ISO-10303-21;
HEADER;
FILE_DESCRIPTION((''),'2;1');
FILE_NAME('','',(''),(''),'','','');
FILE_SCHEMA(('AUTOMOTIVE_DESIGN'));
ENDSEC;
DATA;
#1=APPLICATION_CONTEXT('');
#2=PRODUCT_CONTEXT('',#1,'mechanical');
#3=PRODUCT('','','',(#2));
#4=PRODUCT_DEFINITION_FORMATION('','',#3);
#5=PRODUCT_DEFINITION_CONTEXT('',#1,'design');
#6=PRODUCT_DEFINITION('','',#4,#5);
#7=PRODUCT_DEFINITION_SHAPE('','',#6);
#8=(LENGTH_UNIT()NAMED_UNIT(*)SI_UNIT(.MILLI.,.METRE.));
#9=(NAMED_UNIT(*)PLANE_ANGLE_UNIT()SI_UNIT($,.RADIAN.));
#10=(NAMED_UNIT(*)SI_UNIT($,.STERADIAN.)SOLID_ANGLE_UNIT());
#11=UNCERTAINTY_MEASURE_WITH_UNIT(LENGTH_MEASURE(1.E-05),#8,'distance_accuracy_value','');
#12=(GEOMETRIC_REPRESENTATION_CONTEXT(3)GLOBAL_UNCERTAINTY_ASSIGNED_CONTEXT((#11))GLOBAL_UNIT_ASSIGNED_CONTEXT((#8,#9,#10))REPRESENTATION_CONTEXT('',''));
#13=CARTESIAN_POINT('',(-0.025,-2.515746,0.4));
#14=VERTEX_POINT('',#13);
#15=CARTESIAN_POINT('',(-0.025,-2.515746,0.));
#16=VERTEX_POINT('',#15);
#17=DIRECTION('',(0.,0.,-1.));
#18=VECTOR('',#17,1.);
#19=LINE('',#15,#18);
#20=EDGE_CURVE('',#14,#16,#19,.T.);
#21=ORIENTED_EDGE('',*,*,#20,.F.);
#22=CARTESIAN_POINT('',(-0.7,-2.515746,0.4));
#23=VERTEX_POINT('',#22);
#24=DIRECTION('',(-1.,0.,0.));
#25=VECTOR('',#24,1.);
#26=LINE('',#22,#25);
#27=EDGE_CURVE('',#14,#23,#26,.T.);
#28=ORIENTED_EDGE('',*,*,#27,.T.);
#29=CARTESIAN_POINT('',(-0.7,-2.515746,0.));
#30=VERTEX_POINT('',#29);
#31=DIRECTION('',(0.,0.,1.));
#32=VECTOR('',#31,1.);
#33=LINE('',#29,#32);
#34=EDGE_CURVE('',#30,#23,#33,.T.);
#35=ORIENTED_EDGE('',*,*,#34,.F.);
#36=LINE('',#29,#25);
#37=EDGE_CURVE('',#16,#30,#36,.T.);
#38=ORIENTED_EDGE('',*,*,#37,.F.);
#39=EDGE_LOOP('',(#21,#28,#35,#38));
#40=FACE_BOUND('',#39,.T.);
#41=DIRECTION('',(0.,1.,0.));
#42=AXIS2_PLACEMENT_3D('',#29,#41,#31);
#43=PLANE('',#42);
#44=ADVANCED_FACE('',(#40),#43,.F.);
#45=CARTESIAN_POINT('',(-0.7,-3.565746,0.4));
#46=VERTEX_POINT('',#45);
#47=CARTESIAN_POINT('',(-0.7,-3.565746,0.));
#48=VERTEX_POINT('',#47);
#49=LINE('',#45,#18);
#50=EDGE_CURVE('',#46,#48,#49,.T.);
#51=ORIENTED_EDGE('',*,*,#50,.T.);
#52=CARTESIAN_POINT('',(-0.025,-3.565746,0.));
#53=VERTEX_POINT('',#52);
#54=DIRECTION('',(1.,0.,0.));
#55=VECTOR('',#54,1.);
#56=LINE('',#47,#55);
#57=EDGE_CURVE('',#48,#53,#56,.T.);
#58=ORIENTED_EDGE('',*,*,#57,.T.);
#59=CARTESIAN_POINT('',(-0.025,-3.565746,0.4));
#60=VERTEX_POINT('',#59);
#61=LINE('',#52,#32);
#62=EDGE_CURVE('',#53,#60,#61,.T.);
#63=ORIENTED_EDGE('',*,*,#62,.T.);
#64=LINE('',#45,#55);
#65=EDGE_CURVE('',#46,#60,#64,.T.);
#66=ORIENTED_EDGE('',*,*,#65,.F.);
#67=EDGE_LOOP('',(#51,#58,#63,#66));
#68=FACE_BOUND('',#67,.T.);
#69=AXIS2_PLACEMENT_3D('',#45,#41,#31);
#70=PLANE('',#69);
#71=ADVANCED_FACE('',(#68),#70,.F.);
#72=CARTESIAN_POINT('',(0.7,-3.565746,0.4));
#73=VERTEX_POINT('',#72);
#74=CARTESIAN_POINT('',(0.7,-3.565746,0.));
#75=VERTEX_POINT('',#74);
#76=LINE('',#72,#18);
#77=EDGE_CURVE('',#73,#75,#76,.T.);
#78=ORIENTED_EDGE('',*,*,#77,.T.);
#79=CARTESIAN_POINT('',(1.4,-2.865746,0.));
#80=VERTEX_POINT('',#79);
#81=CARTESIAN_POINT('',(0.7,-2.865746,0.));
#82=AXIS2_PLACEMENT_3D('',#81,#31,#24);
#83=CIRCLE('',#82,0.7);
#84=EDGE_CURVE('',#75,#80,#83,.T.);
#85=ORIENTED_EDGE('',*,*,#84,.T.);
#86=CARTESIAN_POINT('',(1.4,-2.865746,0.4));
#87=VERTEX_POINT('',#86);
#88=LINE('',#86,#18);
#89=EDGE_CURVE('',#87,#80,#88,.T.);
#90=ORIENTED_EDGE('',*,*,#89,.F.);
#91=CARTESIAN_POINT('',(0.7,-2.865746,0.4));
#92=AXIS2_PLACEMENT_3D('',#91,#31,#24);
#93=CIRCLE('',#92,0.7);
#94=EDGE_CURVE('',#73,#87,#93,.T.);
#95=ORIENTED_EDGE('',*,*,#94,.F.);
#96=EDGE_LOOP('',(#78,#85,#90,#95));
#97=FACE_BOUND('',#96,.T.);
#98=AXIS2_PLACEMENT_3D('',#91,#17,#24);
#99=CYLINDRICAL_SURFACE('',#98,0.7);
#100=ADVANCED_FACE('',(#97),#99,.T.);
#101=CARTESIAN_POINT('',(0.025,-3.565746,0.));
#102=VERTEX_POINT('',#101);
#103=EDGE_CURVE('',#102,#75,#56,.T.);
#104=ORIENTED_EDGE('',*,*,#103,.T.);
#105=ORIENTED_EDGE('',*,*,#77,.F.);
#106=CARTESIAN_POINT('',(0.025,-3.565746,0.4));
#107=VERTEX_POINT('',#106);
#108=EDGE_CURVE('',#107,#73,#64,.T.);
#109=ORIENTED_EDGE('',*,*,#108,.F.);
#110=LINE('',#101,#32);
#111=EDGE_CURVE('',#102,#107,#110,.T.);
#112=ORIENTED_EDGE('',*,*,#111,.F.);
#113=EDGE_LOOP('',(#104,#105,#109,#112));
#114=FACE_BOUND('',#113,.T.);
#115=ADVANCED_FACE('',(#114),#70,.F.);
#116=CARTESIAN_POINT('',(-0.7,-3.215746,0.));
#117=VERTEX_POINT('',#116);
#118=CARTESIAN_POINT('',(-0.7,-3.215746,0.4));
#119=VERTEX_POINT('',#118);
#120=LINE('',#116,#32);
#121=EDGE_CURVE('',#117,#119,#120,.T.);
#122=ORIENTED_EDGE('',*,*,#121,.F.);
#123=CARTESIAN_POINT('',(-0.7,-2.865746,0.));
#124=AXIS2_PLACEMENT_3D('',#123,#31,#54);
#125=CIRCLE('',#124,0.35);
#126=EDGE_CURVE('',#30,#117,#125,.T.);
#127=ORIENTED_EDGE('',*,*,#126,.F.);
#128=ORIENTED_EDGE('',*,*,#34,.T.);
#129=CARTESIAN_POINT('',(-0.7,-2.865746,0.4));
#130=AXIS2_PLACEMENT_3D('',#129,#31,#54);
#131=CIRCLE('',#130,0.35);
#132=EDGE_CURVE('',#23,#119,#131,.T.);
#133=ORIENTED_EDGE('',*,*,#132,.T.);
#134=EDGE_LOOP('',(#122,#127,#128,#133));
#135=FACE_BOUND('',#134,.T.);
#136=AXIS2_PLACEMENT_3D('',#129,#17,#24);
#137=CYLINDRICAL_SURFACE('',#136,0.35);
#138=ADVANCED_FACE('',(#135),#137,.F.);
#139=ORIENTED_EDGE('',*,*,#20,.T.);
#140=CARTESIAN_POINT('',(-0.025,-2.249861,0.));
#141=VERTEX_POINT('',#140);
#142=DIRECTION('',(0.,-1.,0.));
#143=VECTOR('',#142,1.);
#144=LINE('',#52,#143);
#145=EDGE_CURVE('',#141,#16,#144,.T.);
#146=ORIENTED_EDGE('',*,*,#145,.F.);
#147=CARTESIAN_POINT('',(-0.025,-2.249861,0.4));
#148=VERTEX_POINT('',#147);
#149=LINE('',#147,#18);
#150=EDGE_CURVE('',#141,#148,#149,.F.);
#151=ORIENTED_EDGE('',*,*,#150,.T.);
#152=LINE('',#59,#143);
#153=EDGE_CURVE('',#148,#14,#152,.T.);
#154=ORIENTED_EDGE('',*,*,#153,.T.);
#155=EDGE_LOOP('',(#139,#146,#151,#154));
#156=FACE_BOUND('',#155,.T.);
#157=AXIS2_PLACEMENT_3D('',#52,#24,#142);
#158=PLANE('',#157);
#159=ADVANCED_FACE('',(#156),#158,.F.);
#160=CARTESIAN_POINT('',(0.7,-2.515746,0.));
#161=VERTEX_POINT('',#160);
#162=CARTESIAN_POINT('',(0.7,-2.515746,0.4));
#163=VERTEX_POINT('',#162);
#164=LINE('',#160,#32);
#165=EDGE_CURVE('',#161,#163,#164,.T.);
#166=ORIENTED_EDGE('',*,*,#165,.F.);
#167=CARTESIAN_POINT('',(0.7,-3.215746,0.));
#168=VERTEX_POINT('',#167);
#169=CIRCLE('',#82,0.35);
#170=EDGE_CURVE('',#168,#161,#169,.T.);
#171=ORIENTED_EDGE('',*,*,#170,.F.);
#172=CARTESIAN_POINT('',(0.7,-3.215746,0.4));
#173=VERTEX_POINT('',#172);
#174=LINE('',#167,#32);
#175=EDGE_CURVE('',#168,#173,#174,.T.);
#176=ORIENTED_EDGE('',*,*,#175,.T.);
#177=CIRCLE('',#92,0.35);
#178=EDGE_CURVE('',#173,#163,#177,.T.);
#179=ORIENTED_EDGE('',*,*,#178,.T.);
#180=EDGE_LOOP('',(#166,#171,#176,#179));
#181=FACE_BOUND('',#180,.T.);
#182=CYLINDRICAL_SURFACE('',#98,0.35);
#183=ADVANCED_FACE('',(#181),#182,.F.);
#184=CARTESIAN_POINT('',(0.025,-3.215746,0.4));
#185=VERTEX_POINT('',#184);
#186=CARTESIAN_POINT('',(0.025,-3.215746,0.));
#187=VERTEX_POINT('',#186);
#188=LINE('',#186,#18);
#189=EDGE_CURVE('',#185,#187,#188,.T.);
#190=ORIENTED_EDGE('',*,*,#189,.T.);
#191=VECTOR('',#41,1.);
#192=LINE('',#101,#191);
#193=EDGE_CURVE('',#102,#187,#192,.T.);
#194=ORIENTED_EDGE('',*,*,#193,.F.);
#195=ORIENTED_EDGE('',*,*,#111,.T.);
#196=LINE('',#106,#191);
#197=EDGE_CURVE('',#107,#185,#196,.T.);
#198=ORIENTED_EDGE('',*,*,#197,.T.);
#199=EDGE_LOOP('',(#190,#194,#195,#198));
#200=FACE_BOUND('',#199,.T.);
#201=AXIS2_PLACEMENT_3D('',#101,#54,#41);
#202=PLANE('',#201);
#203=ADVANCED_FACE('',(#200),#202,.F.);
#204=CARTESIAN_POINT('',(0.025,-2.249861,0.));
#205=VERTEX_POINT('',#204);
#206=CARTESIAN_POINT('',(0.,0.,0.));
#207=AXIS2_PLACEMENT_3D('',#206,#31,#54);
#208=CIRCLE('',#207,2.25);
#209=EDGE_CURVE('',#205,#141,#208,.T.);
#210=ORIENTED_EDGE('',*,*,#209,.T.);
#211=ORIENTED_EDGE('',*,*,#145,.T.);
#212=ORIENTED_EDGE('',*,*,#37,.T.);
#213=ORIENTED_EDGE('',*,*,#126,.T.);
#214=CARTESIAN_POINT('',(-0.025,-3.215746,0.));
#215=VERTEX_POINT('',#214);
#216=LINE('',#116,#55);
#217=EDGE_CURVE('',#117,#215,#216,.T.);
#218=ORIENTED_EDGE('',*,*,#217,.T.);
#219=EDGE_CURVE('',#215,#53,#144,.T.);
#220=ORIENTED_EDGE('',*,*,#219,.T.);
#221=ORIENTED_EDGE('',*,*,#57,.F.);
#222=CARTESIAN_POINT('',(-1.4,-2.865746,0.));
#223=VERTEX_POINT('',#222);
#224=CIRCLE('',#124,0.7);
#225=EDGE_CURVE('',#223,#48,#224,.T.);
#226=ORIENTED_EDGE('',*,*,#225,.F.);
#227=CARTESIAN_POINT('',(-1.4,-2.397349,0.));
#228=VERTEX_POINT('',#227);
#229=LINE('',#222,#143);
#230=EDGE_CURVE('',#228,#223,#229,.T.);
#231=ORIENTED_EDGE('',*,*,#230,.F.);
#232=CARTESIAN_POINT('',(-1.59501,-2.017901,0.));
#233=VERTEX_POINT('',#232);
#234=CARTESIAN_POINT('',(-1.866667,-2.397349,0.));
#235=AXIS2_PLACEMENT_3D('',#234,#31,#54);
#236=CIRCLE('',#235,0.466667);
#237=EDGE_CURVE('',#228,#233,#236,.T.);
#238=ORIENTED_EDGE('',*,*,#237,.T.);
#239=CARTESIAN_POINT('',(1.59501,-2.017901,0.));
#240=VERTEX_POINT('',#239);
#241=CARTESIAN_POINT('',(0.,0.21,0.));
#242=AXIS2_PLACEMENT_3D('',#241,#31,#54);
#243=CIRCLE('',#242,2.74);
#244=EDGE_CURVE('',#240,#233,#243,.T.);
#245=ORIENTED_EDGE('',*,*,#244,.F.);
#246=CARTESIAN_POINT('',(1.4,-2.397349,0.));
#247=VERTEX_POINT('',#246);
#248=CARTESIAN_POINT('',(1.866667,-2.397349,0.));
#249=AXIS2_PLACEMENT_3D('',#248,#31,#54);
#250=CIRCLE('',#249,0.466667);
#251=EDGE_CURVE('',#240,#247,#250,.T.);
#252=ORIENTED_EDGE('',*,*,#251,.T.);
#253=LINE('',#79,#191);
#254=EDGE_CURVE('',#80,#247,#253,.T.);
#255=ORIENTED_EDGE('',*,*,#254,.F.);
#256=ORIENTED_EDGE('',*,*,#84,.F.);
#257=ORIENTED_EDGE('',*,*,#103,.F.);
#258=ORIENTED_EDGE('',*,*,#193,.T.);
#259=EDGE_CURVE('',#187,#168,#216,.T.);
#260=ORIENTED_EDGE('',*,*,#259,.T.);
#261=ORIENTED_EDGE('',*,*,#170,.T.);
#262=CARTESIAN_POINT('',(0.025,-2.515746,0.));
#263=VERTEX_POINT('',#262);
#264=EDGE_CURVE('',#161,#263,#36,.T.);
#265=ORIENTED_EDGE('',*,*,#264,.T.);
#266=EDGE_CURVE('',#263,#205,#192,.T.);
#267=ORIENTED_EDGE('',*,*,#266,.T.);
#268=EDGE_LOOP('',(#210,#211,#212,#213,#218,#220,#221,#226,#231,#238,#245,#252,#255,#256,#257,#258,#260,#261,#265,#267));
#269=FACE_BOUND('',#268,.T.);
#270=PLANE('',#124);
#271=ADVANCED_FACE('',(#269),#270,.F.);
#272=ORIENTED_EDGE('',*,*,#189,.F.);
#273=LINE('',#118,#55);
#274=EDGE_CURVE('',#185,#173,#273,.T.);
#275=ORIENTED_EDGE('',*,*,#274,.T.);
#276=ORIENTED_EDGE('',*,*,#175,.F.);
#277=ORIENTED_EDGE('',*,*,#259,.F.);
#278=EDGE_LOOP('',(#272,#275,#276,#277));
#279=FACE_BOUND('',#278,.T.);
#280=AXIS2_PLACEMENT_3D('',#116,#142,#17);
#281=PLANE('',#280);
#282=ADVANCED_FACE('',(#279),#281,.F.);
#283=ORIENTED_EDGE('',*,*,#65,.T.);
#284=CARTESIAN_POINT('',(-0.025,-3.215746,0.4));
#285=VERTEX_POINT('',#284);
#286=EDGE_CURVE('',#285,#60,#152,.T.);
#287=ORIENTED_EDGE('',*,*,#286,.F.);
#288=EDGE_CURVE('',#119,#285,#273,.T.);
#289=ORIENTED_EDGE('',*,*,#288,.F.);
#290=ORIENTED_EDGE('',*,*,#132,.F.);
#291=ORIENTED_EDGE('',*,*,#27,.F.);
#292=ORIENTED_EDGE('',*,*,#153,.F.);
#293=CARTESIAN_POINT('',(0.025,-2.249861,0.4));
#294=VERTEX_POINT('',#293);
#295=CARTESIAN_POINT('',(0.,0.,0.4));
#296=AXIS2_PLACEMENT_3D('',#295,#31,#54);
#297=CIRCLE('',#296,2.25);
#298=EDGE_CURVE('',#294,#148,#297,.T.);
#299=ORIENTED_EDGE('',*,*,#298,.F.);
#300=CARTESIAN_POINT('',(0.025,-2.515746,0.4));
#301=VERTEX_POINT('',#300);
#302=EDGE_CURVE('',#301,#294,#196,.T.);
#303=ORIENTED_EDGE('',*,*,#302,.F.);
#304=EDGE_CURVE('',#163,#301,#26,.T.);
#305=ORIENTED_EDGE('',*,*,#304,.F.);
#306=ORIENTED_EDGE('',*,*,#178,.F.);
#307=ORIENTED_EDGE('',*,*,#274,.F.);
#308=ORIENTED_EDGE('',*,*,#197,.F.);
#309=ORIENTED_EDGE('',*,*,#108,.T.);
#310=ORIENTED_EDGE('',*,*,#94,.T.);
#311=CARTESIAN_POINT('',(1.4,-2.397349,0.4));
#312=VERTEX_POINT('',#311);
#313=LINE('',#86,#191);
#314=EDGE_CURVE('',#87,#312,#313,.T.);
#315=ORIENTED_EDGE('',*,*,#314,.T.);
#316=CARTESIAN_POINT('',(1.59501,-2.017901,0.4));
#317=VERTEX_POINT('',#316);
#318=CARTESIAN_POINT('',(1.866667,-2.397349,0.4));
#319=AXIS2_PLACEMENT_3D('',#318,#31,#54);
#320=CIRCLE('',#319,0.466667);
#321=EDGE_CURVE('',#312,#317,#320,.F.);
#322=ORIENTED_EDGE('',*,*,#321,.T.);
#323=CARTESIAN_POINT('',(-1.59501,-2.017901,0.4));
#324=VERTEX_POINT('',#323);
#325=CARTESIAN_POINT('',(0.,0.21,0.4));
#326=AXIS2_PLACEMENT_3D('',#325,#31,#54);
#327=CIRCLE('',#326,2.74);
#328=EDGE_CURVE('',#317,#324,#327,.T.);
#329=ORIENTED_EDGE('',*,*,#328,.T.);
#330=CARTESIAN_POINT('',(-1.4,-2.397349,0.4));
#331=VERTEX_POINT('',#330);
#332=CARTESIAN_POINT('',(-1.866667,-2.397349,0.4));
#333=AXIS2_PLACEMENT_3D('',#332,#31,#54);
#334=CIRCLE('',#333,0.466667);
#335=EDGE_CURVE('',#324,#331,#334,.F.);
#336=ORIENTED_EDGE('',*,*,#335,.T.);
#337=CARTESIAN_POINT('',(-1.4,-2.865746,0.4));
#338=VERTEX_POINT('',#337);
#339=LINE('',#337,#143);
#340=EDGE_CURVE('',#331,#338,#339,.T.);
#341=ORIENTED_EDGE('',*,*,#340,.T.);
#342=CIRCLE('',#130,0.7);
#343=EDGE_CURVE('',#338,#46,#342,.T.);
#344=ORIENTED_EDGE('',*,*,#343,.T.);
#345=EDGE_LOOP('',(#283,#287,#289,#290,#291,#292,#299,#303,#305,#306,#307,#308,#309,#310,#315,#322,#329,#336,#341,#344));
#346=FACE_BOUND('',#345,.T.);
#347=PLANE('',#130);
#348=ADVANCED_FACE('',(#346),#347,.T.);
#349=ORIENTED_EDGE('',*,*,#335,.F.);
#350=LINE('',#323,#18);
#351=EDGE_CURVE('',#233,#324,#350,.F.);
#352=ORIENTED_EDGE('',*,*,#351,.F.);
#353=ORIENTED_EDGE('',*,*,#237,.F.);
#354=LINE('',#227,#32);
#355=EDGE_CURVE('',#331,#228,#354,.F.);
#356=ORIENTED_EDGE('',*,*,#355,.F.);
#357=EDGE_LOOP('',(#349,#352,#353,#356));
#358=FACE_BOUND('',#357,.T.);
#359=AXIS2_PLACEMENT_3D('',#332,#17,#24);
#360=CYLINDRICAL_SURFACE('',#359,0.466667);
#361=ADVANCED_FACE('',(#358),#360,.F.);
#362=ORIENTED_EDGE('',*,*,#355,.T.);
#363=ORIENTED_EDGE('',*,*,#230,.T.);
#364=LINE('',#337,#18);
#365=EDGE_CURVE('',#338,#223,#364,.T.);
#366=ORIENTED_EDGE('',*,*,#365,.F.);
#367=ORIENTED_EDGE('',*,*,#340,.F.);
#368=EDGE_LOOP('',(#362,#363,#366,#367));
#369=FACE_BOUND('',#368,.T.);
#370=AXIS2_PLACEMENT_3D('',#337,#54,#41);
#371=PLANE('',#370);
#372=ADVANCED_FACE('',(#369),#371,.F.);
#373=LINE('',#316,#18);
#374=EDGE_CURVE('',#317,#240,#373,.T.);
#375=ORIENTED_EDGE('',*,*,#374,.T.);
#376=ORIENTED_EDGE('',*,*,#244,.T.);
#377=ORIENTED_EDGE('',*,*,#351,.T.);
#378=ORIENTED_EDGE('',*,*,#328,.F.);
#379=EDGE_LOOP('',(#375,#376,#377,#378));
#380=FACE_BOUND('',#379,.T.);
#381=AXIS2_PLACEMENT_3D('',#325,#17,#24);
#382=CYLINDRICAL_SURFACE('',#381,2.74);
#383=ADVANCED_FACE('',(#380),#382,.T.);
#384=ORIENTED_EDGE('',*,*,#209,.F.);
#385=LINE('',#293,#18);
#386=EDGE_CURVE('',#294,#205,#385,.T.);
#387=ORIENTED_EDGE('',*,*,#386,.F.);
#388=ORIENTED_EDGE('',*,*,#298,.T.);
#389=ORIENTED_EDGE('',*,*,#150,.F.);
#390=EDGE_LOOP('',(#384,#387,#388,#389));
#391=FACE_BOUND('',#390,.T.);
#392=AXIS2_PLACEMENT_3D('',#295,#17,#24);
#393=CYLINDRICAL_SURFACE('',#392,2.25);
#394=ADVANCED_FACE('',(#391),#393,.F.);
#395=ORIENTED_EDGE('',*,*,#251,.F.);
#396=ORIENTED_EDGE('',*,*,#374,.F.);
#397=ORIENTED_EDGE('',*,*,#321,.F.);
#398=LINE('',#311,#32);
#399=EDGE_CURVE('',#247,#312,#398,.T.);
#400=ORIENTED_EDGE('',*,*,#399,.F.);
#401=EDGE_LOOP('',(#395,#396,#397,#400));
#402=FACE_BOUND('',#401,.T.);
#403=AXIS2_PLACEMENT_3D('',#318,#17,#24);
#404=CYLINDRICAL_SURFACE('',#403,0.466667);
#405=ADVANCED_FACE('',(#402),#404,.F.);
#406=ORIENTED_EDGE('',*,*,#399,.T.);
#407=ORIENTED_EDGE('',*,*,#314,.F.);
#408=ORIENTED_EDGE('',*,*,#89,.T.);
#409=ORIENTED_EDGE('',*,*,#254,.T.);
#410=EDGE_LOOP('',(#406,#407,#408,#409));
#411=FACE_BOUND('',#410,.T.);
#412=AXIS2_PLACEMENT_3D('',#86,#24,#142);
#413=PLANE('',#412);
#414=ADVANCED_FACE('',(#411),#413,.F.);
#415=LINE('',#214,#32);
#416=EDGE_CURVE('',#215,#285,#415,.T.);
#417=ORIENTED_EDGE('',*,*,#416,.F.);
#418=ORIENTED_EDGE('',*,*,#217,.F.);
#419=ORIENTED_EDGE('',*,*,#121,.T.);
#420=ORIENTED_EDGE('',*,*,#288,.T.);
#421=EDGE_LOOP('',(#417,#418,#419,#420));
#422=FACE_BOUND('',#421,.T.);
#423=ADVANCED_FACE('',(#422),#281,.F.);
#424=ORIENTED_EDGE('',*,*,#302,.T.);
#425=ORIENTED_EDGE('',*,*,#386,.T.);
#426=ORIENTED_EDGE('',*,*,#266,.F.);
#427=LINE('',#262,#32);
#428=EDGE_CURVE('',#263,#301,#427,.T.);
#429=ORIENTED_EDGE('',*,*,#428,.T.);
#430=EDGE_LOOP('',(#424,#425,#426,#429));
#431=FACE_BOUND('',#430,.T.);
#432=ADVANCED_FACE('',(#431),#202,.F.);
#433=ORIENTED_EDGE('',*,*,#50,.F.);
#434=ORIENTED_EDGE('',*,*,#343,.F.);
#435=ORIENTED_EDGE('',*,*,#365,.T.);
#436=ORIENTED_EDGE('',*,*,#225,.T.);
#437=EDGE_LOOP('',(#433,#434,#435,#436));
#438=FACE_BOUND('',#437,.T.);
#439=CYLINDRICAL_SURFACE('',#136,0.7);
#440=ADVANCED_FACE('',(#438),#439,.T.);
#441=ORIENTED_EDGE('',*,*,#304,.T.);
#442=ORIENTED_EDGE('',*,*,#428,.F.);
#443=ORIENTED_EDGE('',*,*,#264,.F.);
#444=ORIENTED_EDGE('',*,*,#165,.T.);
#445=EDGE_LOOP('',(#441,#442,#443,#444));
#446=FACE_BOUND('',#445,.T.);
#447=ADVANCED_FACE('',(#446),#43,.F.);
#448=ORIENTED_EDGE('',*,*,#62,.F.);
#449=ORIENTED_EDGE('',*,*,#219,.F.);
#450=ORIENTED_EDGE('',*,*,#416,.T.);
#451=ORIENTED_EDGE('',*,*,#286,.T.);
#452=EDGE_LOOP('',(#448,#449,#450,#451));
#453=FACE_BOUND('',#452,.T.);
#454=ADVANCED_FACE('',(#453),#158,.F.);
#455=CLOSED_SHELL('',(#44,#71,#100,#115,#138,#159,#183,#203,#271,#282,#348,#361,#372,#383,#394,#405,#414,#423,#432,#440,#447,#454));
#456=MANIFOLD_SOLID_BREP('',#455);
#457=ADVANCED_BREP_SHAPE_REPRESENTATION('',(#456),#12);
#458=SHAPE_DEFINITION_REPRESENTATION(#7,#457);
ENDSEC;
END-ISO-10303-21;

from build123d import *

# Parameters (mm, degrees)
SKETCH_1_R          = 2.25
SKETCH_1_R_2        = 0.35
EXTRUDE_1_DEPTH     = 0.4
SKETCH_2_W          = 0.05
SKETCH_2_H          = 3.565745976
CUT_EXTRUDE_1_DEPTH = 5.514658832
FILLET_1_R          = 0.466666667
CUT_EXTRUDE_2_DEPTH = 5.514658832


with BuildPart() as part:
    # 草图1 → 凸台-拉伸1 (new body)
    with BuildSketch(Plane.XY):
        with BuildLine():
            Line((-0.7, -3.565745976), (0.7, -3.565745976))
            ThreePointArc((0.7, -3.565745976), (1.194974747, -3.360720723), (1.4, -2.865745976))
            Line((1.4, -2.865745976), (1.4, -2.145334371))
            ThreePointArc((1.4, -2.145334371), (0, 2.95), (-1.4, -2.145334371))
            Line((-1.4, -2.145334371), (-1.4, -2.865745976))
            ThreePointArc((-1.4, -2.865745976), (-1.194974747, -3.360720723), (-0.7, -3.565745976))
        make_face()
        Circle(SKETCH_1_R, mode=Mode.SUBTRACT)
        with Locations((-0.7, -2.865745976)):
            Circle(SKETCH_1_R_2, mode=Mode.SUBTRACT)
        with Locations(Location((0.7, -2.865745976, 0), (0, 0, 180))):
            Circle(SKETCH_1_R_2, mode=Mode.SUBTRACT)
    extrude(amount=EXTRUDE_1_DEPTH)

    # 草图2 → 切除-拉伸1 (cut, through all)
    with BuildSketch(Plane.XY.offset(0.4)):
        with Locations((0, -1.782872988)):
            Rectangle(SKETCH_2_W, SKETCH_2_H)
    extrude(amount=-CUT_EXTRUDE_1_DEPTH, mode=Mode.SUBTRACT)

    # 圆角1
    fillet_1_edges = [part.edges().sort_by_distance(p)[0] for p in [
        (-1.4, -2.145334371, 0.2),
        (1.4, -2.145334371, 0.2),
    ]]
    fillet(fillet_1_edges, radius=FILLET_1_R)

    # 草图3 → 切除-拉伸2 (cut, through all)
    with BuildSketch(Plane.XY.offset(0.4)):
        with BuildLine():
            Line((-0.7, -2.515745976), (0.7, -2.515745976))
            ThreePointArc((0.7, -2.515745976), (1.05, -2.865745976), (0.7, -3.215745976))
            Line((0.7, -3.215745976), (-0.7, -3.215745976))
            ThreePointArc((-0.7, -3.215745976), (-1.05, -2.865745976), (-0.7, -2.515745976))
        make_face()
    extrude(amount=-CUT_EXTRUDE_2_DEPTH, mode=Mode.SUBTRACT)


solid = part.part
